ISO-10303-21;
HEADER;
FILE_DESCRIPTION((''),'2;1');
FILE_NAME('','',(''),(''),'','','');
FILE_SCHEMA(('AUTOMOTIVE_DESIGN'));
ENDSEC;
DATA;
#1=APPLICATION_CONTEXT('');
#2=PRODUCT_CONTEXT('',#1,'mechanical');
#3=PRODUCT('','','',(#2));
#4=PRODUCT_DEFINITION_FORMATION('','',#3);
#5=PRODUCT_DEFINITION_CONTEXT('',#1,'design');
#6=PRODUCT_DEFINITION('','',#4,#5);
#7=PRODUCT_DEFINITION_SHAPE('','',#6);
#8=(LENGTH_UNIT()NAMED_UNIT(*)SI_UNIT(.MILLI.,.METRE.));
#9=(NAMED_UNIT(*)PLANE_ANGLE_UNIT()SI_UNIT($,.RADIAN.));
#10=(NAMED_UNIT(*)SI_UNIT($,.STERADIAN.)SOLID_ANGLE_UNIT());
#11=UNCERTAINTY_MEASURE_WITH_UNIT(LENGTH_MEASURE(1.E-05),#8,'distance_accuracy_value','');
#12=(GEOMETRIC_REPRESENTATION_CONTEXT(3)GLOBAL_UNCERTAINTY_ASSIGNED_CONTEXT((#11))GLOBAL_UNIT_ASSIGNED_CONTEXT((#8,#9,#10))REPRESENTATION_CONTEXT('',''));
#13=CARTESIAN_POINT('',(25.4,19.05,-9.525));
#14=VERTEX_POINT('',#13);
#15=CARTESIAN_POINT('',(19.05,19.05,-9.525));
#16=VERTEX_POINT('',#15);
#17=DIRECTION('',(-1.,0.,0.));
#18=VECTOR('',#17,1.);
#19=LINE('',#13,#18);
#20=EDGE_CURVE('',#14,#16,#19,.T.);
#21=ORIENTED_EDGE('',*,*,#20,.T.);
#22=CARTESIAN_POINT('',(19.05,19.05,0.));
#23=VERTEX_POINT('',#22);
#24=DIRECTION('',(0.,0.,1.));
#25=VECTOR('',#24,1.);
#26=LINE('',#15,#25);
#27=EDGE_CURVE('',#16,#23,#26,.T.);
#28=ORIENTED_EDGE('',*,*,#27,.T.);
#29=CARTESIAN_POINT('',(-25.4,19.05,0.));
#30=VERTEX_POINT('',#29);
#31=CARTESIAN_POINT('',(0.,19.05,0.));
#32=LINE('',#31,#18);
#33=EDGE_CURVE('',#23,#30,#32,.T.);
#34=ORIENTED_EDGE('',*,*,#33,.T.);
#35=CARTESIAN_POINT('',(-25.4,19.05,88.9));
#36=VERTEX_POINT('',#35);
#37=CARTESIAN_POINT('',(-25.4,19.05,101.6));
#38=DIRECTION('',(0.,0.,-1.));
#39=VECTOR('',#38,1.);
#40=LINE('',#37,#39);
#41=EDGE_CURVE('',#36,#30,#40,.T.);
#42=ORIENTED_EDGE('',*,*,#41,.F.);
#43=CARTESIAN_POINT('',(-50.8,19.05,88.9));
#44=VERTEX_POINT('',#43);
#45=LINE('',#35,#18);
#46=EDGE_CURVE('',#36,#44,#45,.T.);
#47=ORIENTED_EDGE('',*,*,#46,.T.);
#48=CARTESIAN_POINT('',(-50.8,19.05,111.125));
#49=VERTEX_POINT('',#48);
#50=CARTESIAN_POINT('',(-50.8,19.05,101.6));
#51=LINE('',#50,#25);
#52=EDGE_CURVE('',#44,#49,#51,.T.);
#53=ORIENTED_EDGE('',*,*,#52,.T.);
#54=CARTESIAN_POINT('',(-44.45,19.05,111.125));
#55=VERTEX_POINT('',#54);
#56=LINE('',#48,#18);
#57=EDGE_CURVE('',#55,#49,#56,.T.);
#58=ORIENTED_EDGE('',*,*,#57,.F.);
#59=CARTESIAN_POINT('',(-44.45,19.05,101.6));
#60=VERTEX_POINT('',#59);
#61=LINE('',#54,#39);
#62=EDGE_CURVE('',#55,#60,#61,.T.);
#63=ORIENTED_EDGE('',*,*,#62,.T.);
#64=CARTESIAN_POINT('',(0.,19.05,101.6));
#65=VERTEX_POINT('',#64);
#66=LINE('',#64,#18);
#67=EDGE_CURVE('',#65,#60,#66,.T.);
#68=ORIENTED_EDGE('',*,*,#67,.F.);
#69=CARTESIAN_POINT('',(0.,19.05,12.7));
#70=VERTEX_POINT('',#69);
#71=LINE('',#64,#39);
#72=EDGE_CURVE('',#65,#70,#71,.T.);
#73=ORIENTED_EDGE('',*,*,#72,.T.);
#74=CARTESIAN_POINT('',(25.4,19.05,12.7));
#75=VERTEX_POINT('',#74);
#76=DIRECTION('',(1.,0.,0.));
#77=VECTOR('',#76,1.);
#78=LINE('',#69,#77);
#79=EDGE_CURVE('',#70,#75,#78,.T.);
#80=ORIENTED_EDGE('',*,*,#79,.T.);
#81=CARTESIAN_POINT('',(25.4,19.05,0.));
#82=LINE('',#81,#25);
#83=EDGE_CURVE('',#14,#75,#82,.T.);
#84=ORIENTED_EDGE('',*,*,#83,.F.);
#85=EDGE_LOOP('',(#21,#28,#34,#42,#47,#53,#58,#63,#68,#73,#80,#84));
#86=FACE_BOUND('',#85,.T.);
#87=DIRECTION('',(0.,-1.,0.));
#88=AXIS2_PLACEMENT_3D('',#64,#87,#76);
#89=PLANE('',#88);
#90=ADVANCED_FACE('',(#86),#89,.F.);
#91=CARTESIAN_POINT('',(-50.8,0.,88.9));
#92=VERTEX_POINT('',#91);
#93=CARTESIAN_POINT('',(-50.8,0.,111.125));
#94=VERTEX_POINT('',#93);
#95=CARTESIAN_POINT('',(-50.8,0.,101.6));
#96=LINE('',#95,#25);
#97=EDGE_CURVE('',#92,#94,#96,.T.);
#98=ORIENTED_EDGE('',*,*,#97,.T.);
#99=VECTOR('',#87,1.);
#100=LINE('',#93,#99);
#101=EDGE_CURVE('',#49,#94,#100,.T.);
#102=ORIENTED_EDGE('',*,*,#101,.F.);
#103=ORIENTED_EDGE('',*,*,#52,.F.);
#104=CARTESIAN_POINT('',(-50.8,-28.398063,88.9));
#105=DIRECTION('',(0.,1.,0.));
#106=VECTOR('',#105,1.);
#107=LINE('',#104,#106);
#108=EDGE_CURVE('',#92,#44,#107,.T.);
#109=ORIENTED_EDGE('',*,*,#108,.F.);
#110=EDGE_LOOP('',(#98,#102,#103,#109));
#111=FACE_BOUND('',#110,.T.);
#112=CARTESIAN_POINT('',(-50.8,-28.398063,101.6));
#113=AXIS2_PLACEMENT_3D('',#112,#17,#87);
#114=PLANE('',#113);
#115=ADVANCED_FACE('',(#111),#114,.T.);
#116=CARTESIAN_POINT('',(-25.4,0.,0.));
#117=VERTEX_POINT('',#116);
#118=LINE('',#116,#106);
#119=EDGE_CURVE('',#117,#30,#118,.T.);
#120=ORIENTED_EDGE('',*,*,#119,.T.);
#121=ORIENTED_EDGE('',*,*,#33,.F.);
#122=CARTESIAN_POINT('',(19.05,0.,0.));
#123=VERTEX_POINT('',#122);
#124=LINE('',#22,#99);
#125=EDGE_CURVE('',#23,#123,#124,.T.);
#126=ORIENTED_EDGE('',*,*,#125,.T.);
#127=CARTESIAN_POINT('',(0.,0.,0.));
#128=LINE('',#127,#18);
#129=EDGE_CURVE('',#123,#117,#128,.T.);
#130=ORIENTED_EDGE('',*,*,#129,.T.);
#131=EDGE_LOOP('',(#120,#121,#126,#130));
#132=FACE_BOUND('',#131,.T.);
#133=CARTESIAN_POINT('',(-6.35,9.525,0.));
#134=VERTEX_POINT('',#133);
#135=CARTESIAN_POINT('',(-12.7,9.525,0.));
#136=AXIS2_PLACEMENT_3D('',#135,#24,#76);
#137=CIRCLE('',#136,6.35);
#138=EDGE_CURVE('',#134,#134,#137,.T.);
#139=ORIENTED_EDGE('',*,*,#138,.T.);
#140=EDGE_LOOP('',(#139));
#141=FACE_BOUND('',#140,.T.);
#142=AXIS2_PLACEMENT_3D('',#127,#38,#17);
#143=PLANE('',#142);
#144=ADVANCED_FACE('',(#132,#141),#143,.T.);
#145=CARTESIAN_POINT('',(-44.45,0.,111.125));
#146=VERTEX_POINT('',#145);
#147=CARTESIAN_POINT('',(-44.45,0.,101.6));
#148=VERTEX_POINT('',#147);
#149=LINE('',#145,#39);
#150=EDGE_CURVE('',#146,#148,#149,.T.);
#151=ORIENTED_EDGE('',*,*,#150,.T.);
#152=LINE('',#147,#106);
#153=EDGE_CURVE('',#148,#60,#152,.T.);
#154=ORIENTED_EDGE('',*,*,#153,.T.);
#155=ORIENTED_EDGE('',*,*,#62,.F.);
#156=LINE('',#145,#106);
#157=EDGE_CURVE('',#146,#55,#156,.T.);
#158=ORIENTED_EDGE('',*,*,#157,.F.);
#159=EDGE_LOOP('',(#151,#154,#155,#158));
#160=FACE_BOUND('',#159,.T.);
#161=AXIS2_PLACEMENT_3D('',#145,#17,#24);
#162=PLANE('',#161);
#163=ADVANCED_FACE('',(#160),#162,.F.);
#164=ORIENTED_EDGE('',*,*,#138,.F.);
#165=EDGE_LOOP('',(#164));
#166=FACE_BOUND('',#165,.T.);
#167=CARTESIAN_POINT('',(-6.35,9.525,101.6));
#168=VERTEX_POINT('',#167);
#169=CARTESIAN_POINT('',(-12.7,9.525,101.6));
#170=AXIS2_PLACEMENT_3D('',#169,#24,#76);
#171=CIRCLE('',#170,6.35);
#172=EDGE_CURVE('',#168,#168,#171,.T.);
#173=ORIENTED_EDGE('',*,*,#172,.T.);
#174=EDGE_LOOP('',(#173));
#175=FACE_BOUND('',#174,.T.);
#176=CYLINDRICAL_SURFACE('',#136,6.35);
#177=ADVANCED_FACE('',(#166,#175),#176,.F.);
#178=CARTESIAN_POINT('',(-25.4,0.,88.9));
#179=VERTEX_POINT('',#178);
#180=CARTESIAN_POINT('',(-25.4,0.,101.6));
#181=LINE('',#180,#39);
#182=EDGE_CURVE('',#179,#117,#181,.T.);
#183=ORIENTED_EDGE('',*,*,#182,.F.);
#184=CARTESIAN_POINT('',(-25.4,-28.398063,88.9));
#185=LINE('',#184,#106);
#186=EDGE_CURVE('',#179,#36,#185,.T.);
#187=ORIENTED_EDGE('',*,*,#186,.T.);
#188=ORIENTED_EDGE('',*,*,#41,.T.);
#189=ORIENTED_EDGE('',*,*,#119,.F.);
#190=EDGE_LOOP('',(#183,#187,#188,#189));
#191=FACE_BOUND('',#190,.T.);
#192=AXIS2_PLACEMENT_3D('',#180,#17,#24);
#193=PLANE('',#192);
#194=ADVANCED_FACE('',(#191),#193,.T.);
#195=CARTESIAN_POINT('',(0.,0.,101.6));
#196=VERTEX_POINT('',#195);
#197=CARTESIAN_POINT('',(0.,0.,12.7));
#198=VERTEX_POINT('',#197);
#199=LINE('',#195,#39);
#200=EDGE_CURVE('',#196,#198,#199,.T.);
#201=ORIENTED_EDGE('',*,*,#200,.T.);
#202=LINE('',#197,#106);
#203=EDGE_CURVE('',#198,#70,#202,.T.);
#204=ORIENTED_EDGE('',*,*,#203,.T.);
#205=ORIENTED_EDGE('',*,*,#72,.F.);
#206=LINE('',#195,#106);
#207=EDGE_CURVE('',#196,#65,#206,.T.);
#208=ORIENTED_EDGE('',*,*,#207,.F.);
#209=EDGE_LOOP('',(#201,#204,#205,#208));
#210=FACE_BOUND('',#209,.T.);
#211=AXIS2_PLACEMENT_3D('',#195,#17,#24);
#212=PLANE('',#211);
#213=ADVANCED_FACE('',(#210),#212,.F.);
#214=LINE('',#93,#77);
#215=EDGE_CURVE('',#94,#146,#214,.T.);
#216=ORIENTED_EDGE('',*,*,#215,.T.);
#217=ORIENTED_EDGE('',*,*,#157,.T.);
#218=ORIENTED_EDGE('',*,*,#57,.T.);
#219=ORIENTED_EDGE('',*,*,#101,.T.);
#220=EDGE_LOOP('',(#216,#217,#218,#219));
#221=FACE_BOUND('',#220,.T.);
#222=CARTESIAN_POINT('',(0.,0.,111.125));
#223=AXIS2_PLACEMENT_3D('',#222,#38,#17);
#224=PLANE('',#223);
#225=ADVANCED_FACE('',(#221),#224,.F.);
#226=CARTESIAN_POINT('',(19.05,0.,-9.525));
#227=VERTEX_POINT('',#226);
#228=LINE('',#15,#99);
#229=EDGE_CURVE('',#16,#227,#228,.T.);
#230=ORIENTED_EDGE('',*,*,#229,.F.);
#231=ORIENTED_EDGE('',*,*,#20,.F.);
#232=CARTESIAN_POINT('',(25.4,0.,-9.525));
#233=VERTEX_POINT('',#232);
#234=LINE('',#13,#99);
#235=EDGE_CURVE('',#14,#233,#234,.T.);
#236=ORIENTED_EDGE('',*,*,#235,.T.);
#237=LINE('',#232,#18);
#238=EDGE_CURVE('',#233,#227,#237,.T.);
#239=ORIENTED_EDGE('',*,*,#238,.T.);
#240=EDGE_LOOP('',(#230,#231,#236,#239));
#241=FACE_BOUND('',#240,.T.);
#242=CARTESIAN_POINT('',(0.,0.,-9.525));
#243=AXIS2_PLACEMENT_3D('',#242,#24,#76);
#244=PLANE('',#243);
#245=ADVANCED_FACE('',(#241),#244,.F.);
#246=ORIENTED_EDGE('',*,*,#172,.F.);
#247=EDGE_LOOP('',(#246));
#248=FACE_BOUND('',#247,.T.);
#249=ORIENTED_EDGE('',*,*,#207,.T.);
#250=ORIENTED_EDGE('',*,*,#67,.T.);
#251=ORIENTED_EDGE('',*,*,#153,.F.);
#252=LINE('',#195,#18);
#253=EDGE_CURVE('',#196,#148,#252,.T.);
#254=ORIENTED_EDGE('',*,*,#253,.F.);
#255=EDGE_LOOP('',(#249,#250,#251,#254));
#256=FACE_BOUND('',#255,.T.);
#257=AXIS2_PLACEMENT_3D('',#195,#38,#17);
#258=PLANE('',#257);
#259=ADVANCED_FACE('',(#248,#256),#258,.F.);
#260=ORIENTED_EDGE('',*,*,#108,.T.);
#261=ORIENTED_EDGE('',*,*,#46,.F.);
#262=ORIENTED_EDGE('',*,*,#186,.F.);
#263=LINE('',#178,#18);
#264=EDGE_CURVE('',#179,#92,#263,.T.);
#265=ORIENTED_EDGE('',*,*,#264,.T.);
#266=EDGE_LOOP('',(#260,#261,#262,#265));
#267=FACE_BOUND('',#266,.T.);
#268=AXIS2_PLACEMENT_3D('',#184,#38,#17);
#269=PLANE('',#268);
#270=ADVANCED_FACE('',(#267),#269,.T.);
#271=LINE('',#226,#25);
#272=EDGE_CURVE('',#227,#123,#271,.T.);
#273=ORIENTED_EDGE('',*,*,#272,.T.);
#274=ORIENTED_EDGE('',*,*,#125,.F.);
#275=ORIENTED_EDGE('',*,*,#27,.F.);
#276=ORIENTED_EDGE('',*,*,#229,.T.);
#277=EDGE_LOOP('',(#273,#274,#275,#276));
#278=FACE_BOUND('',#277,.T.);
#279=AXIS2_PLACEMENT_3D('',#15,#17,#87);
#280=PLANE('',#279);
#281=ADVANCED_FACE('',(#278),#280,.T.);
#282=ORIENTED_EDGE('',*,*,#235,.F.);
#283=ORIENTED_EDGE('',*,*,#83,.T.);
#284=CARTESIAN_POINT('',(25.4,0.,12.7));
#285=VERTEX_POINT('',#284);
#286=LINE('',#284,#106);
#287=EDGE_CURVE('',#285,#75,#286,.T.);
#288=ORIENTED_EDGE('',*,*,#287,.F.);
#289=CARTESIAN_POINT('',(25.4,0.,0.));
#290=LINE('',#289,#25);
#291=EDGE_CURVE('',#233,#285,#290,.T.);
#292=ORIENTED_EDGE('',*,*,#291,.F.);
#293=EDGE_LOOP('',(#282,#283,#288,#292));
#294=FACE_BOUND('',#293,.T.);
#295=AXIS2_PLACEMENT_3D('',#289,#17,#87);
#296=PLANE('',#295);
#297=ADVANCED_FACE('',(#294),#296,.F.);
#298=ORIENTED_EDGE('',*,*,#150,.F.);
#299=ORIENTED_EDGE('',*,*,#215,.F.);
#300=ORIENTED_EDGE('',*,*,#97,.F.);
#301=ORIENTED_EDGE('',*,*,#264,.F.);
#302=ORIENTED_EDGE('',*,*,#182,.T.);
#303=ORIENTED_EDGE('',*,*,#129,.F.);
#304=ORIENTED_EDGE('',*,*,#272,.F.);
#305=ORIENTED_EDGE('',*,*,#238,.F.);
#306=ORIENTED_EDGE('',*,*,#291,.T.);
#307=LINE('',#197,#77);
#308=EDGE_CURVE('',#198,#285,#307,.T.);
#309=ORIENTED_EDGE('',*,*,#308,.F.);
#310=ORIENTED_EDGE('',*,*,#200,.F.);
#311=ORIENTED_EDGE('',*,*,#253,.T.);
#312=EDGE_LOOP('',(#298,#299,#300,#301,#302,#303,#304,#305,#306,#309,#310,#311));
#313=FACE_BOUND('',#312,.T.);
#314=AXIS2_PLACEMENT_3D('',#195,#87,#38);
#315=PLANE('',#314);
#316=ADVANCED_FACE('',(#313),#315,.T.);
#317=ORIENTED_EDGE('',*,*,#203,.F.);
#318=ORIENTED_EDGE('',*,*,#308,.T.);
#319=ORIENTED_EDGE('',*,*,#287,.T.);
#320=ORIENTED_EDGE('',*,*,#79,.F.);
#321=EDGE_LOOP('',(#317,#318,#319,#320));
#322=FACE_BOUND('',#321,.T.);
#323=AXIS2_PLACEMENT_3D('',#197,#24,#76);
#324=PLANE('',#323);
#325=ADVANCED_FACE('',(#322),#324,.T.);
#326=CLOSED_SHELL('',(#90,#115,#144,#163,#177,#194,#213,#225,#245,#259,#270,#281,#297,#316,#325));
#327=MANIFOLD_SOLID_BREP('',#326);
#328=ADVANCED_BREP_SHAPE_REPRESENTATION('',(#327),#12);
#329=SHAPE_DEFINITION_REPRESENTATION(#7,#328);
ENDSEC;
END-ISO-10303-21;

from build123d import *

# Parameters (mm, degrees)
SKETCH1_W           = 25.4
SKETCH1_H           = 19.05
BOSS_EXTRUDE1_DEPTH = 101.6
SKETCH2_R           = 6.35
CUT_EXTRUDE1_DEPTH  = 101.6
SKETCH3_W           = 25.4
SKETCH3_H           = 12.7
BOSS_EXTRUDE2_DEPTH = 19.05
SKETCH5_W           = 6.35
SKETCH5_H           = 19.05
BOSS_EXTRUDE4_DEPTH = 9.525
SKETCH8_W           = 25.4
SKETCH8_H           = 12.7
BOSS_EXTRUDE5_DEPTH = 19.05
SKETCH9_W           = 6.35
SKETCH9_H           = 19.05
BOSS_EXTRUDE6_DEPTH = 9.525


with BuildPart() as part:
    # Sketch1 → Boss-Extrude1 (new body)
    with BuildSketch(Plane.XY):
        with Locations((-12.7, 9.525)):
            Rectangle(SKETCH1_W, SKETCH1_H)
    extrude(amount=BOSS_EXTRUDE1_DEPTH)

    # Sketch2 → Cut-Extrude1 (cut)
    with BuildSketch(Plane.XY.offset(101.6)):
        with Locations((-12.7, 9.525)):
            Circle(SKETCH2_R)
    extrude(amount=-CUT_EXTRUDE1_DEPTH, mode=Mode.SUBTRACT)

    # Sketch3 → Boss-Extrude2 (add)
    with BuildSketch(Plane(origin=(0, 19.05, 0), x_dir=(1, 0, 0), z_dir=(0, 1, 0))):
        with Locations((-38.1, -95.25)):
            Rectangle(SKETCH3_W, SKETCH3_H)
    extrude(amount=-BOSS_EXTRUDE2_DEPTH)

    # Sketch5 → Boss-Extrude4 (add)
    with BuildSketch(Plane.XY.offset(101.6)):
        with Locations((-47.625, 9.525)):
            Rectangle(SKETCH5_W, SKETCH5_H)
    extrude(amount=BOSS_EXTRUDE4_DEPTH)

    # Sketch8 → Boss-Extrude5 (add)
    with BuildSketch(Plane(origin=(0, 19.05, 0), x_dir=(1, 0, 0), z_dir=(0, 1, 0))):
        with Locations((12.7, -6.35)):
            Rectangle(SKETCH8_W, SKETCH8_H)
    extrude(amount=-BOSS_EXTRUDE5_DEPTH)

    # Sketch9 → Boss-Extrude6 (add)
    with BuildSketch(Plane(origin=(0, 0, 0), x_dir=(-1, 0, 0), z_dir=(0, 0, -1))):
        with Locations((-22.225, 9.525)):
            Rectangle(SKETCH9_W, SKETCH9_H)
    extrude(amount=BOSS_EXTRUDE6_DEPTH)


solid = part.part
